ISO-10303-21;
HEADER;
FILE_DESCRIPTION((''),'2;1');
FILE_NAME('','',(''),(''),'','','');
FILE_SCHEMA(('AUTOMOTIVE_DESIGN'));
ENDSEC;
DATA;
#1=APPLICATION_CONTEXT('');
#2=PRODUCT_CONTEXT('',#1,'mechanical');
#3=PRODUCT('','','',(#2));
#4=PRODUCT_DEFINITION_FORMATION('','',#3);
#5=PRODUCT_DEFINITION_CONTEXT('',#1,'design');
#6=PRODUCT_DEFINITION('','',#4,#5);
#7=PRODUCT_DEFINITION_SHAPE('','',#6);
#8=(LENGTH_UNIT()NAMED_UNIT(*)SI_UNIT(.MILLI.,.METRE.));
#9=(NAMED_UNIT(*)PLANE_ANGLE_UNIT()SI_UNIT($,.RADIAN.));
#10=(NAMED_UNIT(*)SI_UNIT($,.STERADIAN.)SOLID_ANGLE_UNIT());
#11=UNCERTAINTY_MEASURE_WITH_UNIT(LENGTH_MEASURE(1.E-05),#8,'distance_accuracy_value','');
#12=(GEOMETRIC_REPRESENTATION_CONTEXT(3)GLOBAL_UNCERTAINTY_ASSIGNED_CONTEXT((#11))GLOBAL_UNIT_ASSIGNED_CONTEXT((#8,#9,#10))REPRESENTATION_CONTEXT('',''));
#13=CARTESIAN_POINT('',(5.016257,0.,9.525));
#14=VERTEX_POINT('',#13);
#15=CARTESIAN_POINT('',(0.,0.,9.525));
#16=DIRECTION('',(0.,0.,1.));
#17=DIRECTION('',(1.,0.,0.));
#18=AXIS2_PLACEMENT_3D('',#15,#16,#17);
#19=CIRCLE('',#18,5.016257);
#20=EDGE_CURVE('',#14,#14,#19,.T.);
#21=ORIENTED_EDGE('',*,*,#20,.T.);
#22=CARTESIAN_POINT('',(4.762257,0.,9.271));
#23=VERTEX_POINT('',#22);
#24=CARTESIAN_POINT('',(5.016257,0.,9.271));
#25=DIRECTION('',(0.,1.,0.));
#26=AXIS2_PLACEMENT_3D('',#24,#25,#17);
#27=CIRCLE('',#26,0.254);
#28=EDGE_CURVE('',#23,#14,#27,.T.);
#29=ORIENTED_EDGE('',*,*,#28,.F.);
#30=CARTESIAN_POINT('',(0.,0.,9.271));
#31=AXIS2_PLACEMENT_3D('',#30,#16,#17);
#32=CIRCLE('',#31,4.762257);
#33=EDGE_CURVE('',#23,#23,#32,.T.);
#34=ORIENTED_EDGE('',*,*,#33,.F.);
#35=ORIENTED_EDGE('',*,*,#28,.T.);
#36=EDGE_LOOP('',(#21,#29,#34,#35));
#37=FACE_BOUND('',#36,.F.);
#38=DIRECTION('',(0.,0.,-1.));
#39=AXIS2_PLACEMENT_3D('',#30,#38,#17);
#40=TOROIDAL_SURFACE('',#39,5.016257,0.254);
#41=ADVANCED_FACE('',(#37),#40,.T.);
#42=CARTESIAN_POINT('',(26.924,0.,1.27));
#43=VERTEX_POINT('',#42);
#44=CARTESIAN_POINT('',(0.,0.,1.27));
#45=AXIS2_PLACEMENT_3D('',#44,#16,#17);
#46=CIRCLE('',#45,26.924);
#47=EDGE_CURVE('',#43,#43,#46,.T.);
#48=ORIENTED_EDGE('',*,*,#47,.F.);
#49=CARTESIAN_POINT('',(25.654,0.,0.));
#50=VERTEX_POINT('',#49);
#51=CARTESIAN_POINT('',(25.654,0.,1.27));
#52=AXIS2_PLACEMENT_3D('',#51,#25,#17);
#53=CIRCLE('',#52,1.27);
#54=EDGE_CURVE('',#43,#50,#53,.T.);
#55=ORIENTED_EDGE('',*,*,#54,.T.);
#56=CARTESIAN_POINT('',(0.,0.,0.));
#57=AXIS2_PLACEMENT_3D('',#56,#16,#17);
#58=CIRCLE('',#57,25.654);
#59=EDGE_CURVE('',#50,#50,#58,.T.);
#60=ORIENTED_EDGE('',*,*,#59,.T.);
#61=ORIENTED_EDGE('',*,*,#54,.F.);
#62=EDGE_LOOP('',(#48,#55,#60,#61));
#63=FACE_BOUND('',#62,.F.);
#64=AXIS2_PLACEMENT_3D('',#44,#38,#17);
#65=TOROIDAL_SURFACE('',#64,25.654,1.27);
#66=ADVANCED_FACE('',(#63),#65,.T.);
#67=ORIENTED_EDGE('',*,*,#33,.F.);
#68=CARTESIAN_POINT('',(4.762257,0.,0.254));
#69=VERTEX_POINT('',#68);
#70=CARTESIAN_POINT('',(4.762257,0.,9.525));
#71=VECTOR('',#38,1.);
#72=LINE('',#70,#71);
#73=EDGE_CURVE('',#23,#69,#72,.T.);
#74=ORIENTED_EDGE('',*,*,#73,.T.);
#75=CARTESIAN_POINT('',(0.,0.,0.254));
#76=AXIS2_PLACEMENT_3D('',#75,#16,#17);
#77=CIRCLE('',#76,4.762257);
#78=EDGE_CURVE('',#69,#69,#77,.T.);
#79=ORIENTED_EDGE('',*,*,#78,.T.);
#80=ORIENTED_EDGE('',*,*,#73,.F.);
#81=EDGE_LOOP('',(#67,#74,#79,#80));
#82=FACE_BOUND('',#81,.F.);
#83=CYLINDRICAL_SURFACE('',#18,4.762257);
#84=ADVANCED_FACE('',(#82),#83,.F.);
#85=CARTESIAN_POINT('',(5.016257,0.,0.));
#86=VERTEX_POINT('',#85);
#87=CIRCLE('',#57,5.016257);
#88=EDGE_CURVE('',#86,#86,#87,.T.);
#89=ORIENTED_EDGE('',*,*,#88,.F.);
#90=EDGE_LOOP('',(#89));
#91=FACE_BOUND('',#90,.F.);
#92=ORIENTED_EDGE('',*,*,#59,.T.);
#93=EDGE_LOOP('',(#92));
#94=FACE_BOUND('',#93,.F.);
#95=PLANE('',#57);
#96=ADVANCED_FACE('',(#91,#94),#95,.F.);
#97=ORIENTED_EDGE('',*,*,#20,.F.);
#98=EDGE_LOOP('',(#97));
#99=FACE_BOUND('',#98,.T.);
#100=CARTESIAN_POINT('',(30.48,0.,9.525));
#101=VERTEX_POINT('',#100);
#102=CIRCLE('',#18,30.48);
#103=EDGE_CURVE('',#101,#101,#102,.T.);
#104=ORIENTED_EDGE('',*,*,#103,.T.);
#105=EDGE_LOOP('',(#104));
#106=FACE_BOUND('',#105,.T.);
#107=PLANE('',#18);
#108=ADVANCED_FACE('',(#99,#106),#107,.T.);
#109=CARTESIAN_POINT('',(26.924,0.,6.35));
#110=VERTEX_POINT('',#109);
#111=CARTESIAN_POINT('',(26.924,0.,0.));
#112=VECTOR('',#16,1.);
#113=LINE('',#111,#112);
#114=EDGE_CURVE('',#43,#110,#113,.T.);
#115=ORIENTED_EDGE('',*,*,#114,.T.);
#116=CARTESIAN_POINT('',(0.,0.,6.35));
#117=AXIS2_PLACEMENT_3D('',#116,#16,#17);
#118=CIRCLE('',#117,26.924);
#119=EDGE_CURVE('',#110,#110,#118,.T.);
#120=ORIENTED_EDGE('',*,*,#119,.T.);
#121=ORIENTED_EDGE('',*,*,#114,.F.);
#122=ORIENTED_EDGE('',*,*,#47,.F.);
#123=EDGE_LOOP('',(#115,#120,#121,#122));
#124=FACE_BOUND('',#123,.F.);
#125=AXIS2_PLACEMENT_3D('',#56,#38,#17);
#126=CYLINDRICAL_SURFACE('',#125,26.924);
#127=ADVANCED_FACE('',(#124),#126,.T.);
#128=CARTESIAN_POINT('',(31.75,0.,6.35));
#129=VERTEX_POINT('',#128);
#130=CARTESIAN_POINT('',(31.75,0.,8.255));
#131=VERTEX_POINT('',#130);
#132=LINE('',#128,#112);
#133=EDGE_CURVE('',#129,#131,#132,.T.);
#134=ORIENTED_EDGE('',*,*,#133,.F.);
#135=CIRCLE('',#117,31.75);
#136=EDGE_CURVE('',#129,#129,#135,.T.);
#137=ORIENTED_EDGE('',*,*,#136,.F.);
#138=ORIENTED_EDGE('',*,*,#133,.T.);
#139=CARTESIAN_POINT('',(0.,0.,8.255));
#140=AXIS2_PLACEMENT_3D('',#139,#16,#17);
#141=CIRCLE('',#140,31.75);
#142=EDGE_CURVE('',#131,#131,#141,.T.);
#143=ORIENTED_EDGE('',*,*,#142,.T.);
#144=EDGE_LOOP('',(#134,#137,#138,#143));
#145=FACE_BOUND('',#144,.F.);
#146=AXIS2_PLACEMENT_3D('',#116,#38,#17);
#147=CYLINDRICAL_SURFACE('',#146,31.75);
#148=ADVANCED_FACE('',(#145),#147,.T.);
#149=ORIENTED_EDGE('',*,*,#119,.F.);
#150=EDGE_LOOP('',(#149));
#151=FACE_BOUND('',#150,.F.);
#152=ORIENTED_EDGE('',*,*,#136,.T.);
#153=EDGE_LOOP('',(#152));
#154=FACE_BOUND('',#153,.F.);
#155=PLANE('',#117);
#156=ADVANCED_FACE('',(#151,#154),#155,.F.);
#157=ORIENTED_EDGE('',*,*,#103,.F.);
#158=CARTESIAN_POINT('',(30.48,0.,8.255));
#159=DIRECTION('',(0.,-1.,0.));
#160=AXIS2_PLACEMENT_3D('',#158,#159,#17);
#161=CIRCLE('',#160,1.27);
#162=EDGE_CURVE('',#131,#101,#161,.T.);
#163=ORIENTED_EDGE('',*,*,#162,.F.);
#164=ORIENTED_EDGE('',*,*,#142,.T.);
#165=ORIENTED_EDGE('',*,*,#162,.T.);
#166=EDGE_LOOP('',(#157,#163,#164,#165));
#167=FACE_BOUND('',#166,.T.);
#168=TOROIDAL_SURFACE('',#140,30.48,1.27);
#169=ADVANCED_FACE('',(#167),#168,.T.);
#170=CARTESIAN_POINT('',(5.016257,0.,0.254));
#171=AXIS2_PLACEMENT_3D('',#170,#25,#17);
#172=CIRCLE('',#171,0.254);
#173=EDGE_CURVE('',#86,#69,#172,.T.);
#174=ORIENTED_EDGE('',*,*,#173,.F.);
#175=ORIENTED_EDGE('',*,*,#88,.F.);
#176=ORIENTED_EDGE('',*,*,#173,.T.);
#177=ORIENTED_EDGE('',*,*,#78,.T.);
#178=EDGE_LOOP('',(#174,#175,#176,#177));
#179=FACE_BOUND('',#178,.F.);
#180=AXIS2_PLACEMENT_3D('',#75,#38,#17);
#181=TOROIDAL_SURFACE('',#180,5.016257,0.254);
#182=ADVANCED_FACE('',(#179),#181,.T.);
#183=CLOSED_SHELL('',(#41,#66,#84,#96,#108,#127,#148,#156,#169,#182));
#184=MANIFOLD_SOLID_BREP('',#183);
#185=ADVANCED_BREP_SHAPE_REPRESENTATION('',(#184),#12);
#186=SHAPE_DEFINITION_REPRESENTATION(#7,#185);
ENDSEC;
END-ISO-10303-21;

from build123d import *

# Parameters (mm, degrees)
F0_R     = 26.924
F1_DEPTH = 6.35
F2_R     = 31.75
F2_R_2   = 26.924
F3_DEPTH = 3.175
F4_R     = 4.762257
F5_DEPTH = 25.4
F6_R     = 1.27
F7_R     = 1.27
F8_R     = 0.254


with BuildPart() as f1:
    # F0 (on Top) → F1 (new body)
    with BuildSketch(Plane.XY):
        Circle(F0_R)
    extrude(amount=F1_DEPTH)

    # F2 (on face) → F3 (join)
    with BuildSketch(Plane.XY.offset(6.35)):
        Circle(F2_R)
        Circle(F2_R_2, mode=Mode.SUBTRACT)
        Circle(F2_R_2)
    extrude(amount=F3_DEPTH)

    # F4 (on face) → F5 (cut)
    with BuildSketch(Plane.XY.offset(9.525)):
        Circle(F4_R)
    extrude(amount=-F5_DEPTH, mode=Mode.SUBTRACT)

    # F6
    f6_edges = [f1.edges().sort_by_distance(p)[0] for p in [
        (-31.75, 0, 9.525),
    ]]
    fillet(f6_edges, radius=F6_R)

    # F7
    f7_edges = [f1.edges().sort_by_distance(p)[0] for p in [
        (-26.924, 0, 0),
    ]]
    fillet(f7_edges, radius=F7_R)

    # F8
    f8_edges = [f1.edges().sort_by_distance(p)[0] for p in [
        (-4.762257, 0, 9.525),
        (-25.654, 0, 0),
        (-4.762257, 0, 0),
    ]]
    fillet(f8_edges, radius=F8_R)


solid = f1.part
